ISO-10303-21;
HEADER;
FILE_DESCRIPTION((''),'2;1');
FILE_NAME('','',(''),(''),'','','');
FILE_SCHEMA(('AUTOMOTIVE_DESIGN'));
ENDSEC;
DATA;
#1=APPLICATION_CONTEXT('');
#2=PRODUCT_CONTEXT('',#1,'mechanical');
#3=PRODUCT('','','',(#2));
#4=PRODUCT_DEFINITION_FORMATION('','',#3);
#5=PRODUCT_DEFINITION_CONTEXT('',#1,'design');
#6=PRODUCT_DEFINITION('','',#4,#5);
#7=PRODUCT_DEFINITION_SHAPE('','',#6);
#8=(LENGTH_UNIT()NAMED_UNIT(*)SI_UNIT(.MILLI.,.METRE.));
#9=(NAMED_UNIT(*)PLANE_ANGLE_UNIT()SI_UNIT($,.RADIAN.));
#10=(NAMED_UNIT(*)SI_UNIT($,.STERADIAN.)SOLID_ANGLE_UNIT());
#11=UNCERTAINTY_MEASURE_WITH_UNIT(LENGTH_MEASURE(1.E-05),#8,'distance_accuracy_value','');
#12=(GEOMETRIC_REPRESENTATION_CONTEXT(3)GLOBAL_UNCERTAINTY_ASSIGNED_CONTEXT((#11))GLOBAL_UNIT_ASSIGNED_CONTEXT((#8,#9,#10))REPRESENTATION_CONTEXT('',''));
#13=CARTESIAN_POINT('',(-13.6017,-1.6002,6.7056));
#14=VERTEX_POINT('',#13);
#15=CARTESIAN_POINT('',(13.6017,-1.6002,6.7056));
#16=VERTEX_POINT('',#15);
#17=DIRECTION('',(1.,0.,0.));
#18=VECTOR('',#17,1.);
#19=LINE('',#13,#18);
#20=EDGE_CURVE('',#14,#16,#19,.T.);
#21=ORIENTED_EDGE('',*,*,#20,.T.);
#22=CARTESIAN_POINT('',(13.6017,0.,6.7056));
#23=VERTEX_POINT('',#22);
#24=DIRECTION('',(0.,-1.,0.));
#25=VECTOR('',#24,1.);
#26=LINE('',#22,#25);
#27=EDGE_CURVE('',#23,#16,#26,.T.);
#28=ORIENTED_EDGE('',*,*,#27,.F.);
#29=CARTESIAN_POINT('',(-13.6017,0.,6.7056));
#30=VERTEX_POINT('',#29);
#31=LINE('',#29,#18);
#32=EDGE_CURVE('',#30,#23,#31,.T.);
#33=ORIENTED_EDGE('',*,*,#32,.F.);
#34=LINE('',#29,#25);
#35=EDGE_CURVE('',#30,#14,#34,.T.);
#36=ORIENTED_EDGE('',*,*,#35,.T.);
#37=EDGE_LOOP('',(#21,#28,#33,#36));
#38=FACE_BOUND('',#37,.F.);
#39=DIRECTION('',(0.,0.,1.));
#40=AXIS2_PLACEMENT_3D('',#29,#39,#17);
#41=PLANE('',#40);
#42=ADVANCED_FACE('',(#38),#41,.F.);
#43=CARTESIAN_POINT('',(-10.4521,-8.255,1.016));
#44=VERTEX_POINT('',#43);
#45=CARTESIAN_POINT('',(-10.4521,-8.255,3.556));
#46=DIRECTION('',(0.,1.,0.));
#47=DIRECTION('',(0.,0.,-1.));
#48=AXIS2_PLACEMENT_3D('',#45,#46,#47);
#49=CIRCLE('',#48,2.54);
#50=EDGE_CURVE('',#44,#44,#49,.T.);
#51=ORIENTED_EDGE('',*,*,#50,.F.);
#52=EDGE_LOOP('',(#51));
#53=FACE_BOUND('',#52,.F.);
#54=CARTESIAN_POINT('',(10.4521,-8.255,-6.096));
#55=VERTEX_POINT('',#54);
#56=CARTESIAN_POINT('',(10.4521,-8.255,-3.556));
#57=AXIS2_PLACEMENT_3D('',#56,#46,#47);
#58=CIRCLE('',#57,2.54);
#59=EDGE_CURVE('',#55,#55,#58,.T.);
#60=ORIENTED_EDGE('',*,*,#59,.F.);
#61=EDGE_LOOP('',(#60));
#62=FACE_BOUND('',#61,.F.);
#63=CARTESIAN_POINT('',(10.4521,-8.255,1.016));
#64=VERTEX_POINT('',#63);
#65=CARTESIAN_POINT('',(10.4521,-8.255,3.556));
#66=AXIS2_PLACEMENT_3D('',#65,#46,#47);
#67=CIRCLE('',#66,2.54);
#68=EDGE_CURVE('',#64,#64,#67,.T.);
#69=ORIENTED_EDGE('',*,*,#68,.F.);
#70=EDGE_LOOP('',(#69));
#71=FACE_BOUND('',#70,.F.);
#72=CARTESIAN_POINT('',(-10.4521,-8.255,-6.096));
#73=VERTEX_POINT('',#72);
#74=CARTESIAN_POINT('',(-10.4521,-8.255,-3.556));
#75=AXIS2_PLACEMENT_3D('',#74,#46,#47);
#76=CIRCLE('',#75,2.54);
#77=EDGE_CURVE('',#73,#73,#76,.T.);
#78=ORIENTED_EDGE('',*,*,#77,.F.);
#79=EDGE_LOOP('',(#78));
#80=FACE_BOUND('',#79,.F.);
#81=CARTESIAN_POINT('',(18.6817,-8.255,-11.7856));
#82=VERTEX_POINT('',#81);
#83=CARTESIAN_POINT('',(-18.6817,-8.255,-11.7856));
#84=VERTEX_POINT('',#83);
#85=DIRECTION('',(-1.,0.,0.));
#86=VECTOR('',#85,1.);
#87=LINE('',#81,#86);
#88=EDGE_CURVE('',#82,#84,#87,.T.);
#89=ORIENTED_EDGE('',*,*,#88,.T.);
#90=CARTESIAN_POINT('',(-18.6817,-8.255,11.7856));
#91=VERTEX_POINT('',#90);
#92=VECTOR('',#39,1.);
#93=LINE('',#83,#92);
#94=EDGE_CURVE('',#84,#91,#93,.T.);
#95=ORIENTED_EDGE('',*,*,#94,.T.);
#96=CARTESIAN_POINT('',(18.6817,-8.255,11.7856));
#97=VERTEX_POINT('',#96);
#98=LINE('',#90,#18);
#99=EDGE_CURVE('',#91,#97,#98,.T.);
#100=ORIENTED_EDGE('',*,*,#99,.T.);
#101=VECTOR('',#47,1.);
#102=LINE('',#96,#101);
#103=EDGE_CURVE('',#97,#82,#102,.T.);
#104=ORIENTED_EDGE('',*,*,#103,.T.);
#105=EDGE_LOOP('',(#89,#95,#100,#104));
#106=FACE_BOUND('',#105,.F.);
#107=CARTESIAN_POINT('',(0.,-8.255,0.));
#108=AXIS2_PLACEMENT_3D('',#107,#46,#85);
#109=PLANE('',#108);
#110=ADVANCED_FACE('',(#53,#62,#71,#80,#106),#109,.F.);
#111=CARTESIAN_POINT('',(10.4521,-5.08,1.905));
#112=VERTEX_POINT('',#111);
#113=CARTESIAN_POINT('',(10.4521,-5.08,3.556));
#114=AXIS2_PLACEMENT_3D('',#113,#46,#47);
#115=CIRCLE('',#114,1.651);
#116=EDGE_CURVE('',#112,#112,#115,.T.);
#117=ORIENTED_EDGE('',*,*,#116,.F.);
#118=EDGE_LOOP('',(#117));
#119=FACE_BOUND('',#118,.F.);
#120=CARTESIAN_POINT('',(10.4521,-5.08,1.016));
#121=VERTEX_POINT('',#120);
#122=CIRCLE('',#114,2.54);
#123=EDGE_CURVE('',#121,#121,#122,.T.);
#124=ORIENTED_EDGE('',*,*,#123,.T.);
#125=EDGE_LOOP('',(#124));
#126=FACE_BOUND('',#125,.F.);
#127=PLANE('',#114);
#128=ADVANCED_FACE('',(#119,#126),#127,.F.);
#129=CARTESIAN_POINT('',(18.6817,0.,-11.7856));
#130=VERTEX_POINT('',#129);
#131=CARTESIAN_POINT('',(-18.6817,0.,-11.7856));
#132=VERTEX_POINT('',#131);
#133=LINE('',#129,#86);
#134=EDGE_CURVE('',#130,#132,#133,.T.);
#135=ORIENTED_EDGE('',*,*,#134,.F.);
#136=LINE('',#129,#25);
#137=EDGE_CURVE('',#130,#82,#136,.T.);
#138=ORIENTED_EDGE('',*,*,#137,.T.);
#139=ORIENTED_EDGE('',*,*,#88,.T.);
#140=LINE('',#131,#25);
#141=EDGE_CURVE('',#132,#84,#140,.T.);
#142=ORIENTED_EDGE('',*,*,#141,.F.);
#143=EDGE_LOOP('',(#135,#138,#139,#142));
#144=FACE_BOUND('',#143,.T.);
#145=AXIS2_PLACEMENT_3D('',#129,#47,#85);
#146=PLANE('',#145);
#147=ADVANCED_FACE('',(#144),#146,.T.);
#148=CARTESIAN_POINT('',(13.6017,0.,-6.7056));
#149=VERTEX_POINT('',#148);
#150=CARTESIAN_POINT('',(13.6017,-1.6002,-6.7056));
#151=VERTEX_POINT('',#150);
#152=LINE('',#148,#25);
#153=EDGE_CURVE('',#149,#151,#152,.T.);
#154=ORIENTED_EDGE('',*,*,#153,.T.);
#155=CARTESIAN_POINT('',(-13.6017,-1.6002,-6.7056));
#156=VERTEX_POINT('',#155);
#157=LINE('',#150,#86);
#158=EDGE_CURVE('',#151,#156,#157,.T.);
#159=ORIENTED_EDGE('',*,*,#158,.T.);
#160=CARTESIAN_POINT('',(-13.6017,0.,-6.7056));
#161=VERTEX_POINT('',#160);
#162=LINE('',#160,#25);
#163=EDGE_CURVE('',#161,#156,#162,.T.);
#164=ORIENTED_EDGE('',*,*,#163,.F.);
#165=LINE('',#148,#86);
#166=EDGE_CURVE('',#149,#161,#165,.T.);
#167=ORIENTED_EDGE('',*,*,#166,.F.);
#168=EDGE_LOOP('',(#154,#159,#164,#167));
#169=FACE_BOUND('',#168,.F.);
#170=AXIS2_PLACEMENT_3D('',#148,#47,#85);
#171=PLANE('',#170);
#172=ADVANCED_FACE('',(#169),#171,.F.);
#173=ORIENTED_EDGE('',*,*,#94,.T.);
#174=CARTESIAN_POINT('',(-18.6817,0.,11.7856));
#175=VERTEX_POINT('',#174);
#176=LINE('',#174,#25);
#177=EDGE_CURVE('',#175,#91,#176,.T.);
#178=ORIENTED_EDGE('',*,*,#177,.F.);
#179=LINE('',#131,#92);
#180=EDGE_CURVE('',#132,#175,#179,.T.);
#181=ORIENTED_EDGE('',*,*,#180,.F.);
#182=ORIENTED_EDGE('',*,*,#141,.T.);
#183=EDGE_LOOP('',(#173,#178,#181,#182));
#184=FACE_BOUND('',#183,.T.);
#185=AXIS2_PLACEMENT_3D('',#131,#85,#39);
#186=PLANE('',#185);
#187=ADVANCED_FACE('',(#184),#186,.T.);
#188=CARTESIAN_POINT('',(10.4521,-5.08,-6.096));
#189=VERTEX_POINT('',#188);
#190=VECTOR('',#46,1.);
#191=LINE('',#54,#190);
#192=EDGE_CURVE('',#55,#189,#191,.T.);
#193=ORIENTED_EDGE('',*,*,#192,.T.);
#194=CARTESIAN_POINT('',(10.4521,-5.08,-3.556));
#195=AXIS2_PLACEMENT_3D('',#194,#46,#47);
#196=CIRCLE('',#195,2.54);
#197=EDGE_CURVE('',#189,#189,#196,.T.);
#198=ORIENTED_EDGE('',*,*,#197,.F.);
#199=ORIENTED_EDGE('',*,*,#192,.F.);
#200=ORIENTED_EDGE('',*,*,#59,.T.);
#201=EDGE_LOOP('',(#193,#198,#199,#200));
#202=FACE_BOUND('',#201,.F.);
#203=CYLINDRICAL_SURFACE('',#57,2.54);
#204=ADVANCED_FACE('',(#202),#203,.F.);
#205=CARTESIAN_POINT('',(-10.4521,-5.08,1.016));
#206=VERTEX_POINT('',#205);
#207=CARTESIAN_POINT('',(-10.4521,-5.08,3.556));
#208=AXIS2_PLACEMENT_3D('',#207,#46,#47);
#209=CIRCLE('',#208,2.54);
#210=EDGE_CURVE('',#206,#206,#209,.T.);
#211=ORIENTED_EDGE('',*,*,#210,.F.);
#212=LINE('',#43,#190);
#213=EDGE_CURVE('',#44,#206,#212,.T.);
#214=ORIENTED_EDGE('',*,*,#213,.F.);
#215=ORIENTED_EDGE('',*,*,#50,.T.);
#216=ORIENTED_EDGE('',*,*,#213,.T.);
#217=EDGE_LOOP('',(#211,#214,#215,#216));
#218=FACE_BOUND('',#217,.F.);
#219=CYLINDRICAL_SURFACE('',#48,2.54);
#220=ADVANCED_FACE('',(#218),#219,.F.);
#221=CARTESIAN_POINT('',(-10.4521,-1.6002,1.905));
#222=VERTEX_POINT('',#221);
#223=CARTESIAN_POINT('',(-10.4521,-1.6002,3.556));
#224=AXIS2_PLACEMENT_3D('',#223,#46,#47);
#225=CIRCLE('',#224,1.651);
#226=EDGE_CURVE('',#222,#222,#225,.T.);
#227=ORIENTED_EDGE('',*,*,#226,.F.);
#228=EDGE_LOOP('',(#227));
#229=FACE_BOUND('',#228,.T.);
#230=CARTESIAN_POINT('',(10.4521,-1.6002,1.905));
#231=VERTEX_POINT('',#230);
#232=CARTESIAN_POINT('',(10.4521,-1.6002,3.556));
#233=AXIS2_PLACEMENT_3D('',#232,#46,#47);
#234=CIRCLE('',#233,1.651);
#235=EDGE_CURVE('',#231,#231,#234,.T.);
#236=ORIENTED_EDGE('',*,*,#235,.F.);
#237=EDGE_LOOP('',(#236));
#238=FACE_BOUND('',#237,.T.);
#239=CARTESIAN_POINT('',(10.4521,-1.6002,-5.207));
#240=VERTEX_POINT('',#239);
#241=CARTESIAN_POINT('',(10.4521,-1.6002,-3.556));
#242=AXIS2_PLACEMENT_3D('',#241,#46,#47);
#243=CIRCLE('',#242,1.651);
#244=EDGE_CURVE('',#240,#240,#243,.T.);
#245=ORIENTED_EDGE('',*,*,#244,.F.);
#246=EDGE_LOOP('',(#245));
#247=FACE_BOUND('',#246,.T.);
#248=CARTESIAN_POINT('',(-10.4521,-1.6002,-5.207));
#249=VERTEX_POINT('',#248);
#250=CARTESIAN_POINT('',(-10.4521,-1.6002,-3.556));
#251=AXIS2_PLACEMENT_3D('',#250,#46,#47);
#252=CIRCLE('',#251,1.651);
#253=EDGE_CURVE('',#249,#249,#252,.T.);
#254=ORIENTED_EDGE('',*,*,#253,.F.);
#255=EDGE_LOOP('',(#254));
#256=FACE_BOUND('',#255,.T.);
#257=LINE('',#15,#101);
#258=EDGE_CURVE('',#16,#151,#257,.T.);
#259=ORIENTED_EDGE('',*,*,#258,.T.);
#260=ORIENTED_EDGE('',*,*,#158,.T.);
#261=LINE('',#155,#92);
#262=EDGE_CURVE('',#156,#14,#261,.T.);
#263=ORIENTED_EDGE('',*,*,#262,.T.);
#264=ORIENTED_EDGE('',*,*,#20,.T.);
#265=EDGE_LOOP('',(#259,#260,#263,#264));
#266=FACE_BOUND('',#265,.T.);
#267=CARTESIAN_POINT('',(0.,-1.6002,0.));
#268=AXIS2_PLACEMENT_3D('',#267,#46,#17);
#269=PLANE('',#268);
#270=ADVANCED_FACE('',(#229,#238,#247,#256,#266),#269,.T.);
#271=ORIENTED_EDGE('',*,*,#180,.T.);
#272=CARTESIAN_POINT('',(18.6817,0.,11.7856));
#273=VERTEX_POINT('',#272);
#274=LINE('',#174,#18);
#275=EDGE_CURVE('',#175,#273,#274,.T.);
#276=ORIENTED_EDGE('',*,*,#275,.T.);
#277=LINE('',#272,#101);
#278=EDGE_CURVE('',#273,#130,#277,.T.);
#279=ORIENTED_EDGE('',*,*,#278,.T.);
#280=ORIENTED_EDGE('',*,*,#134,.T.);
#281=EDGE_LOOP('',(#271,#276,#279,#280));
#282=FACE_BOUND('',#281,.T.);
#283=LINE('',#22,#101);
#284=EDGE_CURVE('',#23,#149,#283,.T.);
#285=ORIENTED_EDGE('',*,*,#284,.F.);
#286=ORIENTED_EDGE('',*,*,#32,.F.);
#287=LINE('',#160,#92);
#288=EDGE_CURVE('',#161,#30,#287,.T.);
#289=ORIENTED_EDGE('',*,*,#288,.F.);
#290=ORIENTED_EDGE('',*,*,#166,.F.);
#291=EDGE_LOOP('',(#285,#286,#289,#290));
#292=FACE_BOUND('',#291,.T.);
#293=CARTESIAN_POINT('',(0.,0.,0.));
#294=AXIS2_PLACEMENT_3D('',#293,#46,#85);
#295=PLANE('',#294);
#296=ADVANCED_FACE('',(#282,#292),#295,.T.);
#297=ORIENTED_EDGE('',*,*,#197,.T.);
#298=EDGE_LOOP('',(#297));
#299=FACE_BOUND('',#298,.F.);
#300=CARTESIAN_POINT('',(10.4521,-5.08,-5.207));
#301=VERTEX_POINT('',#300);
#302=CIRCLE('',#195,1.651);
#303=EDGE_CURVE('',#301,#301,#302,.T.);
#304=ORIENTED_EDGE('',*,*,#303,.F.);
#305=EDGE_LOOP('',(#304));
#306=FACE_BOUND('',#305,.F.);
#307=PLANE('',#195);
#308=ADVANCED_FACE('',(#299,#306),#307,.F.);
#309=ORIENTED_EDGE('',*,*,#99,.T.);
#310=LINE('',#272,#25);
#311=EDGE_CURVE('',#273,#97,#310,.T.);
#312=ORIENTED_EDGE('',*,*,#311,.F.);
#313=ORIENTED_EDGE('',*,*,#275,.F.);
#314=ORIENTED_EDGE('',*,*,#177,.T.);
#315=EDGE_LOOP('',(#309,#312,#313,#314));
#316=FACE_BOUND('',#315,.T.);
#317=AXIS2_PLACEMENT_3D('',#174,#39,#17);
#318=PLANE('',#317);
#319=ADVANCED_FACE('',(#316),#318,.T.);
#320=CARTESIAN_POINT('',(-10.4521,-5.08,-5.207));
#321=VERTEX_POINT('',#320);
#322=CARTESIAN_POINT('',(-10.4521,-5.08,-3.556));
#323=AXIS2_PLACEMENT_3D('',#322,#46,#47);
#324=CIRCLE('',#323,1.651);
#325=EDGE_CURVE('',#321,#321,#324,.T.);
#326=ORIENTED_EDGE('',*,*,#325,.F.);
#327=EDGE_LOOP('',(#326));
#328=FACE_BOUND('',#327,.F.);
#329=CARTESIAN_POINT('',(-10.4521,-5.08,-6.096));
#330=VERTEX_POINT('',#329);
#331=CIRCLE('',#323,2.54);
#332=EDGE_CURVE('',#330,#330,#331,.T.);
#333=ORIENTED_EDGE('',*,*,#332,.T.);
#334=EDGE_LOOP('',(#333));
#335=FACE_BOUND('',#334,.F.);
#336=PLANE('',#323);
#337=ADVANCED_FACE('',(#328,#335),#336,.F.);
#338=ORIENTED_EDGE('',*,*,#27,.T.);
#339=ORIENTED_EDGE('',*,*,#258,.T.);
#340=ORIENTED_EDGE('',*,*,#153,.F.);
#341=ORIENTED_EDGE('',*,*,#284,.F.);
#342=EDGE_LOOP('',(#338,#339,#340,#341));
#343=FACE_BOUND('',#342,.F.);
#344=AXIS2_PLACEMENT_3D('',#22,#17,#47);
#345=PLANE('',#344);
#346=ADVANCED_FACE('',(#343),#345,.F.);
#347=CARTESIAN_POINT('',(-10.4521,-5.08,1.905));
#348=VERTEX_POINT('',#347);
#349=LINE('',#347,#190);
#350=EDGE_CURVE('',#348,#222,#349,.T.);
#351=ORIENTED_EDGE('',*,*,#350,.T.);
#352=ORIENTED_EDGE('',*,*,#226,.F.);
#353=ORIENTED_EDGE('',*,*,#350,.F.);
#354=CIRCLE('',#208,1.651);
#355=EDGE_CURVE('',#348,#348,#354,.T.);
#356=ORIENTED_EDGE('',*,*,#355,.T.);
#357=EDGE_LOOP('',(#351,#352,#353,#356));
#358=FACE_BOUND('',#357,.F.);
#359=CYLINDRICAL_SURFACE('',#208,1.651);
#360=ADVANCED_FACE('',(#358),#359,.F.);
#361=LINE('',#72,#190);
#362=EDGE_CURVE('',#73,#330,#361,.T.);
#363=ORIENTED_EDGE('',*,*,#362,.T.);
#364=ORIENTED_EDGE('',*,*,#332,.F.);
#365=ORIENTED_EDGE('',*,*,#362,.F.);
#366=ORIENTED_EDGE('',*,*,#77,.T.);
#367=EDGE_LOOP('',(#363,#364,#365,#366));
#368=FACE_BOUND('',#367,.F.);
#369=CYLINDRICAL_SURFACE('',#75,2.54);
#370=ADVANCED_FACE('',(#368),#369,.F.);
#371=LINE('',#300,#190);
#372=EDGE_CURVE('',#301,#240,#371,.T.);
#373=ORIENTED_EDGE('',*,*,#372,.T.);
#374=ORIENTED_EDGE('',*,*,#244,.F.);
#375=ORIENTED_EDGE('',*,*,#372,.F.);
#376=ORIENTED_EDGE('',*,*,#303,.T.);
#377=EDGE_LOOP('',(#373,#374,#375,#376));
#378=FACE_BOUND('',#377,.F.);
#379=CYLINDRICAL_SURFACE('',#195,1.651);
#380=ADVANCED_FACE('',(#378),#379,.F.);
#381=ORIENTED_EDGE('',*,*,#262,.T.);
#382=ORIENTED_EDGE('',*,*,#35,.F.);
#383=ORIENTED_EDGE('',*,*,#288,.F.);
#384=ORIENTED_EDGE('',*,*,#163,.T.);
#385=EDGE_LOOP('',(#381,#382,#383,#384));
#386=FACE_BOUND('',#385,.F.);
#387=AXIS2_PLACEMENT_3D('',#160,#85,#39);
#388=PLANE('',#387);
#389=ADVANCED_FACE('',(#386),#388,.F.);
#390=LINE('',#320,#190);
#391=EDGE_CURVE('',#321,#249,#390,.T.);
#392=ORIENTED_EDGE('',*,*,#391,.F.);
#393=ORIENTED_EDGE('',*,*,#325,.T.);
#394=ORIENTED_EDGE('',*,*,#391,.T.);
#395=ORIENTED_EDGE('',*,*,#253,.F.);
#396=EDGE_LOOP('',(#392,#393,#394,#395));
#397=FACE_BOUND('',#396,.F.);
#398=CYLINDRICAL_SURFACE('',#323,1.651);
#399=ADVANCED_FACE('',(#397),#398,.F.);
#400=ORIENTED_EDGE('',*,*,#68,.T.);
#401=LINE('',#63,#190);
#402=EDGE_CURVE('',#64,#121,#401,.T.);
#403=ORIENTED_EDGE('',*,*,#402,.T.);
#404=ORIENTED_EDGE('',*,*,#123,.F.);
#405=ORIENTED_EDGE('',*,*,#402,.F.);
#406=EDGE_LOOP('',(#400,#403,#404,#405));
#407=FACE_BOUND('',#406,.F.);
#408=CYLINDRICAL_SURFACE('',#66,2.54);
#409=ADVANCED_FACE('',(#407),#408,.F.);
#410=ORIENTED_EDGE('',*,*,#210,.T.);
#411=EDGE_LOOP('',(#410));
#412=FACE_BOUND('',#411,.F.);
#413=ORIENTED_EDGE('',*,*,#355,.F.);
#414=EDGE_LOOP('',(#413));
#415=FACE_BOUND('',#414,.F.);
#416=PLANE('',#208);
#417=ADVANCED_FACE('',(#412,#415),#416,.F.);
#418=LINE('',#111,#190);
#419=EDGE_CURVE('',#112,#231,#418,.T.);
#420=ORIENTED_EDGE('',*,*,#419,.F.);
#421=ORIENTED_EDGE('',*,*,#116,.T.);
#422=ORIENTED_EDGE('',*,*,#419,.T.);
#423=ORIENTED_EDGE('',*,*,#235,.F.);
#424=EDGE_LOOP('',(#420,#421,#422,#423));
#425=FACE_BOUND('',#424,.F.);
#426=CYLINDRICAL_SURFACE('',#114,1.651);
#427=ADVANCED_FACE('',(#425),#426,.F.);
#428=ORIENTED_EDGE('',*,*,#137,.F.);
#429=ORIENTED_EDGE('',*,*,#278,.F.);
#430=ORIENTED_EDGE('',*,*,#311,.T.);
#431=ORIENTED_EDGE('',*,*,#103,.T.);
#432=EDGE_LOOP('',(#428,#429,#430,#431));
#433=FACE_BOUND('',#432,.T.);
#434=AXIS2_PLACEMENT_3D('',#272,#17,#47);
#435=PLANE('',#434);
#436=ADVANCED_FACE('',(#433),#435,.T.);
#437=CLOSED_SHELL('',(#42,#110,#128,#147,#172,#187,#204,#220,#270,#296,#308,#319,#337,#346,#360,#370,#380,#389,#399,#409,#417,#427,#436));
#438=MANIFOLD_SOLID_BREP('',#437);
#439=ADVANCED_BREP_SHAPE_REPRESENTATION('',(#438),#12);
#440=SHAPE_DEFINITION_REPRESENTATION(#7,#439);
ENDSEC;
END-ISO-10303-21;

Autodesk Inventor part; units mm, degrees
ref_plane "YZ Plane" through (0, 0, 0) normal (1, 0, 0) x (0, 1, 0)
ref_plane "XZ Plane" through (0, 0, 0) normal (0, 1, 0) x (-1, 0, 0)
ref_plane "XY Plane" through (0, 0, 0) normal (0, 0, 1) x (1, 0, 0)
sketch "Sketch1" plane through (0, 0, 0) normal (0, 1, 0) x (-1, 0, 0)
  line L0 (18.6817, 11.7856) -> (-18.6817, 11.7856)
  line L1 (-18.6817, 11.7856) -> (-18.6817, -11.7856)
  line L2 (-18.6817, -11.7856) -> (18.6817, -11.7856)
  line L3 (18.6817, -11.7856) -> (18.6817, 11.7856)
  line L4 (18.6817, 11.7856) -> (-18.6817, -11.7856) construction
  line L5 (-18.6817, 11.7856) -> (18.6817, -11.7856) construction
  point P0 (0, 0)
  dimension "d0" = 37.3634
  dimension "d1" = 23.5712
extrude "Extrusion1" add sketch "Sketch1" against normal blind 8.255
sketch "Sketch2" plane through (0, 0, 0) normal (0, 1, 0) x (1, 0, 0)
  line L0 (-13.6017, -6.7056) -> (13.6017, -6.7056)
  line L1 (13.6017, -6.7056) -> (13.6017, 6.7056)
  line L2 (13.6017, 6.7056) -> (-13.6017, 6.7056)
  line L3 (-13.6017, 6.7056) -> (-13.6017, -6.7056)
  line L4 (-13.6017, -6.7056) -> (13.6017, 6.7056) construction
  line L5 (13.6017, -6.7056) -> (-13.6017, 6.7056) construction
  point P0 (0, 0)
  dimension "d4" = 13.4112
  dimension "d5" = 27.2034
extrude "Extrusion2" cut sketch "Sketch2" against normal blind 1.6002
sketch "Sketch3" plane through (0, -8.255, 0) normal (0, -1, 0) x (1, 0, 0)
  line L0 (10.4521, 3.556) -> (-10.4521, 3.556) construction
  line L1 (-10.4521, 3.556) -> (-10.4521, -3.556) construction
  line L2 (-10.4521, -3.556) -> (10.4521, -3.556) construction
  line L3 (10.4521, -3.556) -> (10.4521, 3.556) construction
  line L4 (10.4521, 3.556) -> (-10.4521, -3.556) construction
  line L5 (-10.4521, 3.556) -> (10.4521, -3.556) construction
  point P0 (0, 0)
  dimension "d8" = 7.112
  dimension "d9" = 20.9042
hole "Hole2" at (10.4521, -8.255, -3.556) at (-10.4521, -8.255, -3.556) at (-10.4521, -8.255, 3.556) at (10.4521, -8.255, 3.556) direction (0, 1, 0) diameter 5.08 depth 3.175
sketch "Sketch14" plane through (10.4521, -5.08, -3.556) normal (0, -1, 0) x (1, 0, 0)
  circle A0 centre (0, 0) radius 2.54 projected
  circle A1 centre (0, 7.112) radius 2.54 projected
  circle A2 centre (-20.9042, 7.112) radius 2.54 projected
  point P0 (-10.4521, 3.556)
  point P1 (-20.9042, 0)
hole "Hole10" at (10.4521, -5.08, -3.556) at (10.4521, -5.08, 3.556) at (-10.4521, -5.08, 3.556) at (-10.4521, -5.08, -3.556) direction (0, 1, 0) diameter 3.302 end through all
sketch "Sketch9" plane through (-10.4521, -5.08, -3.556) normal (0, -1, 0) x (1, 0, 0)
  point P0 (0, 0)
equation "\"d0\" = PartWidth"
equation "\"d1\" = PartLength"
equation "\"d2\" = BaseHeight"
equation "\"d4\" = CanBaseLength"
equation "\"d5\" = CanBaseWidth"
equation "\"d8\" = HoleLength"
equation "\"d9\" = HoleWidth"
equation "\"d18\" = boltHeadDiam"
equation "\"d23\" = boltHeadHeight"
equation "\"d74\" = boltDiamHole"
equation "\"HoleWidth\" = 20.9042"
equation "\"HoleLength\" = 7.112"
equation "\"BaseOffset\" = 5.08"
equation "\"PartWidth\" = CanBaseWidth + 2 * BaseOffset"
equation "\"PartLength\" = CanBaseLength + 2 * BaseOffset"
equation "\"boardGap\" = 0.508"
equation "\"boltHeadHeight\" = 3.175"
equation "\"boltHeadDiam\" = 5.08"
equation "\"boltDiamHole\" = 3.302"
equation "\"BaseHeight\" = 8.255"
equation "\"CanBaseLength\" = 13.4112"
equation "\"CanBaseWidth\" = 27.2034"
properties part number "BaseForCanBusConnector"
